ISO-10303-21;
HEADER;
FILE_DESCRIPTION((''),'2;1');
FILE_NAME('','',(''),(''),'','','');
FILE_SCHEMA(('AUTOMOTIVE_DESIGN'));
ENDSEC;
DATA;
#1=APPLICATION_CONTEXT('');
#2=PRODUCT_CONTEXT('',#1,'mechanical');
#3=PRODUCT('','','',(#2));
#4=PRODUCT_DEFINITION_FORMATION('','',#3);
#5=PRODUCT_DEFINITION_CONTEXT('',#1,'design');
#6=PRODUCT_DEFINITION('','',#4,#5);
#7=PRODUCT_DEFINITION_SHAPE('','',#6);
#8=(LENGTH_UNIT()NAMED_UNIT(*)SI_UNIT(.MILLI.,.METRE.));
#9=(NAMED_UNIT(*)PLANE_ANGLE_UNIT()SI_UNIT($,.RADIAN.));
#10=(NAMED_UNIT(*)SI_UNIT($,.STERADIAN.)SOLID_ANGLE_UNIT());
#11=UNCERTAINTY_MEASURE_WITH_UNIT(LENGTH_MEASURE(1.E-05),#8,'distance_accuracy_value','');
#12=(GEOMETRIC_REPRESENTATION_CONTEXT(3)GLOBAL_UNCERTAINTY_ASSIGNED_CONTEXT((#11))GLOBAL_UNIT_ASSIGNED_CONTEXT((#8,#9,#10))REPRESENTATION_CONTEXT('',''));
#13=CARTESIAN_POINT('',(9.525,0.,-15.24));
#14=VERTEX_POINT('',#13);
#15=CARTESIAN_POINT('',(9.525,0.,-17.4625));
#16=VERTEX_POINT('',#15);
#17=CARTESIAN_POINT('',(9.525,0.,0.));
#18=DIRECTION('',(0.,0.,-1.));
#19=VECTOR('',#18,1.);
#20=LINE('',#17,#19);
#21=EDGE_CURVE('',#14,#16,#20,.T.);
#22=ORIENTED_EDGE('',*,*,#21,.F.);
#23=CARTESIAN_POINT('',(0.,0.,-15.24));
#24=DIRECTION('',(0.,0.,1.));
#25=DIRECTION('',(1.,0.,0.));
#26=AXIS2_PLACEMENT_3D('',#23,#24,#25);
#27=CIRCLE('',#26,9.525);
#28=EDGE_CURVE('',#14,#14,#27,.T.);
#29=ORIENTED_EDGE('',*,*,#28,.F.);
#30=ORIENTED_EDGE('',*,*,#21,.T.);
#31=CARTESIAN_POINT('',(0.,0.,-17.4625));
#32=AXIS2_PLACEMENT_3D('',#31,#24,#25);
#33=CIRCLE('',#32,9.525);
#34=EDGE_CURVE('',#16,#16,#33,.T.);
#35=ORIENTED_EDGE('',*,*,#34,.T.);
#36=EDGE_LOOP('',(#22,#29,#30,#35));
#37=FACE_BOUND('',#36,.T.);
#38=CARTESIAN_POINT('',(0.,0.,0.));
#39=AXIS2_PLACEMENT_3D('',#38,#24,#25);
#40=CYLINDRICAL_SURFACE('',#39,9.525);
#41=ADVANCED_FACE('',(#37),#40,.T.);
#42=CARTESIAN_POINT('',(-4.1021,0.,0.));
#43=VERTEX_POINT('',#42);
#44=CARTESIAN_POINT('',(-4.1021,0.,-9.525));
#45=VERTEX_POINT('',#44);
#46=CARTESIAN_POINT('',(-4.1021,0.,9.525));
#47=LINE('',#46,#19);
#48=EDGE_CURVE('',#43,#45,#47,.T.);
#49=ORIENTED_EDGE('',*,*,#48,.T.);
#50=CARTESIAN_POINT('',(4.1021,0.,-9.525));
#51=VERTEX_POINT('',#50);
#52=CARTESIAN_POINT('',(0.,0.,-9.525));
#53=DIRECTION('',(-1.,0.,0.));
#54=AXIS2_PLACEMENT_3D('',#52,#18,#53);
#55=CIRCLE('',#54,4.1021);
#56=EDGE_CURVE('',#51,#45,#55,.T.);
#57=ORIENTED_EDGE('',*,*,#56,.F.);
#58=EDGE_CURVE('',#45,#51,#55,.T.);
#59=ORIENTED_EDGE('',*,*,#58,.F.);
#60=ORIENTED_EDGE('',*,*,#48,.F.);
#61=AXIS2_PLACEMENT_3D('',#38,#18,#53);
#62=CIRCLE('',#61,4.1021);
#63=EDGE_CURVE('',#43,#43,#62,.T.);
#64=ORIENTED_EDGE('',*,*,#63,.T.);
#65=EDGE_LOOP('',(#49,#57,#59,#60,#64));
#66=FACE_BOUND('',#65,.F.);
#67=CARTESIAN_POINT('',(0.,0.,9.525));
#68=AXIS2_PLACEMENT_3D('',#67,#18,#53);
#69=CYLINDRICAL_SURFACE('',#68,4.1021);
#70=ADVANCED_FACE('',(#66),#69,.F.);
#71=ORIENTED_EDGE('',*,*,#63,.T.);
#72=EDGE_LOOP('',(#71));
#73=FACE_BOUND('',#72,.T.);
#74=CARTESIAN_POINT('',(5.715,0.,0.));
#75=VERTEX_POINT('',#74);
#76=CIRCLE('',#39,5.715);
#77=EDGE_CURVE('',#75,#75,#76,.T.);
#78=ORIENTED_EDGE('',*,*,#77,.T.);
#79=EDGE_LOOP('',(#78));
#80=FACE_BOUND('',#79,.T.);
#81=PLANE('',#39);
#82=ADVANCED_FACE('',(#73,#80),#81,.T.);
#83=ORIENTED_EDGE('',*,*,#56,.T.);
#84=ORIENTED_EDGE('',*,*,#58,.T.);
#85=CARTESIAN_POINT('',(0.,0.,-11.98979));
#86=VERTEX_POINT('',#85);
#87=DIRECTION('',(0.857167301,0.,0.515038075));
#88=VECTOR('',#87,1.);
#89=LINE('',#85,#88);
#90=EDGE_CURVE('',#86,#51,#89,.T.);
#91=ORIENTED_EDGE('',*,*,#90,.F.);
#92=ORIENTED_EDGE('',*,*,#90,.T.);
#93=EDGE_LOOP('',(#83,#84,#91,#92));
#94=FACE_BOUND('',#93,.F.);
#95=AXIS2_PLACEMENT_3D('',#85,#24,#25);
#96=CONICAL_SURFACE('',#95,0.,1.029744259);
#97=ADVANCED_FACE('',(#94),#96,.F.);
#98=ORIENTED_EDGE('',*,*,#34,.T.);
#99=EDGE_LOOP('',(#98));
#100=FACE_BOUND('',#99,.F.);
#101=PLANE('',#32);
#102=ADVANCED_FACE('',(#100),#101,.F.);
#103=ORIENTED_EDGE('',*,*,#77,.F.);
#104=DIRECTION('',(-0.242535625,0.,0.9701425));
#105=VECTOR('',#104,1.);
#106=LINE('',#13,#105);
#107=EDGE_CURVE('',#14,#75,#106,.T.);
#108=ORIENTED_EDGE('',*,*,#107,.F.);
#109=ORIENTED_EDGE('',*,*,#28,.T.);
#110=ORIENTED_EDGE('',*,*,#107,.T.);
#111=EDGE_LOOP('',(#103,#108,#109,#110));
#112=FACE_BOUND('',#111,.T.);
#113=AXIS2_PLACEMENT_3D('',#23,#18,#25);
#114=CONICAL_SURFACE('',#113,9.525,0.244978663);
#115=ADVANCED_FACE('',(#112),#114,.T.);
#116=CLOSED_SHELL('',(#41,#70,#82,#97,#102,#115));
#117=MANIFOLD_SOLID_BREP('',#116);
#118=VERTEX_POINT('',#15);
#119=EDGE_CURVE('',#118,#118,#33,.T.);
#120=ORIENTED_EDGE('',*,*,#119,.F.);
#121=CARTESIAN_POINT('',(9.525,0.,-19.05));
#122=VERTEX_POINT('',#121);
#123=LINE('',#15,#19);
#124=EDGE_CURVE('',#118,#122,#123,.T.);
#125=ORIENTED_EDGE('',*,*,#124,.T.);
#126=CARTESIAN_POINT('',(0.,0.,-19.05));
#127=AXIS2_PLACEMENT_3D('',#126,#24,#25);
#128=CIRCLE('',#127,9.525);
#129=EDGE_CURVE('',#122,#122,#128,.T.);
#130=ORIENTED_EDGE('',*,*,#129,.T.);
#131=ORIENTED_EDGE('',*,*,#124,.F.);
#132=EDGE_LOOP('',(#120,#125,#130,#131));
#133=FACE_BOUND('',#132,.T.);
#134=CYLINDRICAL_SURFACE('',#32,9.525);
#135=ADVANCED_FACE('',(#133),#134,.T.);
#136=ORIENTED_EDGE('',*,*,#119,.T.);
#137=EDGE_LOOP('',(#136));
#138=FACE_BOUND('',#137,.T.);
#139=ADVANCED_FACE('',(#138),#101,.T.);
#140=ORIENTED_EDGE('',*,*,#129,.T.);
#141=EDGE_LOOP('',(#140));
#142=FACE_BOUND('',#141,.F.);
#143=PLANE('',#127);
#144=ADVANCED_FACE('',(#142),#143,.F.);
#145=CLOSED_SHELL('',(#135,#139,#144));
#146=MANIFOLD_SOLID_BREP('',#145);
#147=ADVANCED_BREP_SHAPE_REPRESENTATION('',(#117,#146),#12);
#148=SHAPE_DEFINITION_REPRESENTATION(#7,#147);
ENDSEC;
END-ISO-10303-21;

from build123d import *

# Parameters (mm, degrees)
F0_R     = 9.525
F1_DEPTH = 17.4625
F2_START = -17.4625
F2_DEPTH = 1.5875
F3_D     = 8.2042
F3_DEPTH = 9.525
F3_TIP   = 2.4647903453
F4_SIZE2 = 3.81
F4_SIZE  = 15.24


with BuildPart() as f1:
    # F0 (on Top) → F1 (new body)
    with BuildSketch(Plane.XY):
        Circle(F0_R)
    extrude(amount=-F1_DEPTH)

    # F3
    with Locations(Plane.XY):
        with Locations((0, 0)):
            Hole(F3_D / 2, depth=F3_DEPTH)
            with Locations((0, 0, -(F3_DEPTH + F3_TIP / 2))):  # 118° drill point
                Cone(0, F3_D / 2, F3_TIP, mode=Mode.SUBTRACT)

    # F4
    f4_edges = [f1.edges().sort_by_distance(p)[0] for p in [
        (-9.525, 0, 0),
    ]]
    f4_side = f1.faces().sort_by_distance((-9.525, 0, -8.73125))[0]
    chamfer(f4_edges, length=F4_SIZE, length2=F4_SIZE2, reference=f4_side)


with BuildPart() as f2:
    # F0 (on Top) → F2 (new body)
    with BuildSketch(Plane.XY.offset(F2_START)):
        Circle(F0_R)
    extrude(amount=-F2_DEPTH)


solid = Compound([f1.part, f2.part])
